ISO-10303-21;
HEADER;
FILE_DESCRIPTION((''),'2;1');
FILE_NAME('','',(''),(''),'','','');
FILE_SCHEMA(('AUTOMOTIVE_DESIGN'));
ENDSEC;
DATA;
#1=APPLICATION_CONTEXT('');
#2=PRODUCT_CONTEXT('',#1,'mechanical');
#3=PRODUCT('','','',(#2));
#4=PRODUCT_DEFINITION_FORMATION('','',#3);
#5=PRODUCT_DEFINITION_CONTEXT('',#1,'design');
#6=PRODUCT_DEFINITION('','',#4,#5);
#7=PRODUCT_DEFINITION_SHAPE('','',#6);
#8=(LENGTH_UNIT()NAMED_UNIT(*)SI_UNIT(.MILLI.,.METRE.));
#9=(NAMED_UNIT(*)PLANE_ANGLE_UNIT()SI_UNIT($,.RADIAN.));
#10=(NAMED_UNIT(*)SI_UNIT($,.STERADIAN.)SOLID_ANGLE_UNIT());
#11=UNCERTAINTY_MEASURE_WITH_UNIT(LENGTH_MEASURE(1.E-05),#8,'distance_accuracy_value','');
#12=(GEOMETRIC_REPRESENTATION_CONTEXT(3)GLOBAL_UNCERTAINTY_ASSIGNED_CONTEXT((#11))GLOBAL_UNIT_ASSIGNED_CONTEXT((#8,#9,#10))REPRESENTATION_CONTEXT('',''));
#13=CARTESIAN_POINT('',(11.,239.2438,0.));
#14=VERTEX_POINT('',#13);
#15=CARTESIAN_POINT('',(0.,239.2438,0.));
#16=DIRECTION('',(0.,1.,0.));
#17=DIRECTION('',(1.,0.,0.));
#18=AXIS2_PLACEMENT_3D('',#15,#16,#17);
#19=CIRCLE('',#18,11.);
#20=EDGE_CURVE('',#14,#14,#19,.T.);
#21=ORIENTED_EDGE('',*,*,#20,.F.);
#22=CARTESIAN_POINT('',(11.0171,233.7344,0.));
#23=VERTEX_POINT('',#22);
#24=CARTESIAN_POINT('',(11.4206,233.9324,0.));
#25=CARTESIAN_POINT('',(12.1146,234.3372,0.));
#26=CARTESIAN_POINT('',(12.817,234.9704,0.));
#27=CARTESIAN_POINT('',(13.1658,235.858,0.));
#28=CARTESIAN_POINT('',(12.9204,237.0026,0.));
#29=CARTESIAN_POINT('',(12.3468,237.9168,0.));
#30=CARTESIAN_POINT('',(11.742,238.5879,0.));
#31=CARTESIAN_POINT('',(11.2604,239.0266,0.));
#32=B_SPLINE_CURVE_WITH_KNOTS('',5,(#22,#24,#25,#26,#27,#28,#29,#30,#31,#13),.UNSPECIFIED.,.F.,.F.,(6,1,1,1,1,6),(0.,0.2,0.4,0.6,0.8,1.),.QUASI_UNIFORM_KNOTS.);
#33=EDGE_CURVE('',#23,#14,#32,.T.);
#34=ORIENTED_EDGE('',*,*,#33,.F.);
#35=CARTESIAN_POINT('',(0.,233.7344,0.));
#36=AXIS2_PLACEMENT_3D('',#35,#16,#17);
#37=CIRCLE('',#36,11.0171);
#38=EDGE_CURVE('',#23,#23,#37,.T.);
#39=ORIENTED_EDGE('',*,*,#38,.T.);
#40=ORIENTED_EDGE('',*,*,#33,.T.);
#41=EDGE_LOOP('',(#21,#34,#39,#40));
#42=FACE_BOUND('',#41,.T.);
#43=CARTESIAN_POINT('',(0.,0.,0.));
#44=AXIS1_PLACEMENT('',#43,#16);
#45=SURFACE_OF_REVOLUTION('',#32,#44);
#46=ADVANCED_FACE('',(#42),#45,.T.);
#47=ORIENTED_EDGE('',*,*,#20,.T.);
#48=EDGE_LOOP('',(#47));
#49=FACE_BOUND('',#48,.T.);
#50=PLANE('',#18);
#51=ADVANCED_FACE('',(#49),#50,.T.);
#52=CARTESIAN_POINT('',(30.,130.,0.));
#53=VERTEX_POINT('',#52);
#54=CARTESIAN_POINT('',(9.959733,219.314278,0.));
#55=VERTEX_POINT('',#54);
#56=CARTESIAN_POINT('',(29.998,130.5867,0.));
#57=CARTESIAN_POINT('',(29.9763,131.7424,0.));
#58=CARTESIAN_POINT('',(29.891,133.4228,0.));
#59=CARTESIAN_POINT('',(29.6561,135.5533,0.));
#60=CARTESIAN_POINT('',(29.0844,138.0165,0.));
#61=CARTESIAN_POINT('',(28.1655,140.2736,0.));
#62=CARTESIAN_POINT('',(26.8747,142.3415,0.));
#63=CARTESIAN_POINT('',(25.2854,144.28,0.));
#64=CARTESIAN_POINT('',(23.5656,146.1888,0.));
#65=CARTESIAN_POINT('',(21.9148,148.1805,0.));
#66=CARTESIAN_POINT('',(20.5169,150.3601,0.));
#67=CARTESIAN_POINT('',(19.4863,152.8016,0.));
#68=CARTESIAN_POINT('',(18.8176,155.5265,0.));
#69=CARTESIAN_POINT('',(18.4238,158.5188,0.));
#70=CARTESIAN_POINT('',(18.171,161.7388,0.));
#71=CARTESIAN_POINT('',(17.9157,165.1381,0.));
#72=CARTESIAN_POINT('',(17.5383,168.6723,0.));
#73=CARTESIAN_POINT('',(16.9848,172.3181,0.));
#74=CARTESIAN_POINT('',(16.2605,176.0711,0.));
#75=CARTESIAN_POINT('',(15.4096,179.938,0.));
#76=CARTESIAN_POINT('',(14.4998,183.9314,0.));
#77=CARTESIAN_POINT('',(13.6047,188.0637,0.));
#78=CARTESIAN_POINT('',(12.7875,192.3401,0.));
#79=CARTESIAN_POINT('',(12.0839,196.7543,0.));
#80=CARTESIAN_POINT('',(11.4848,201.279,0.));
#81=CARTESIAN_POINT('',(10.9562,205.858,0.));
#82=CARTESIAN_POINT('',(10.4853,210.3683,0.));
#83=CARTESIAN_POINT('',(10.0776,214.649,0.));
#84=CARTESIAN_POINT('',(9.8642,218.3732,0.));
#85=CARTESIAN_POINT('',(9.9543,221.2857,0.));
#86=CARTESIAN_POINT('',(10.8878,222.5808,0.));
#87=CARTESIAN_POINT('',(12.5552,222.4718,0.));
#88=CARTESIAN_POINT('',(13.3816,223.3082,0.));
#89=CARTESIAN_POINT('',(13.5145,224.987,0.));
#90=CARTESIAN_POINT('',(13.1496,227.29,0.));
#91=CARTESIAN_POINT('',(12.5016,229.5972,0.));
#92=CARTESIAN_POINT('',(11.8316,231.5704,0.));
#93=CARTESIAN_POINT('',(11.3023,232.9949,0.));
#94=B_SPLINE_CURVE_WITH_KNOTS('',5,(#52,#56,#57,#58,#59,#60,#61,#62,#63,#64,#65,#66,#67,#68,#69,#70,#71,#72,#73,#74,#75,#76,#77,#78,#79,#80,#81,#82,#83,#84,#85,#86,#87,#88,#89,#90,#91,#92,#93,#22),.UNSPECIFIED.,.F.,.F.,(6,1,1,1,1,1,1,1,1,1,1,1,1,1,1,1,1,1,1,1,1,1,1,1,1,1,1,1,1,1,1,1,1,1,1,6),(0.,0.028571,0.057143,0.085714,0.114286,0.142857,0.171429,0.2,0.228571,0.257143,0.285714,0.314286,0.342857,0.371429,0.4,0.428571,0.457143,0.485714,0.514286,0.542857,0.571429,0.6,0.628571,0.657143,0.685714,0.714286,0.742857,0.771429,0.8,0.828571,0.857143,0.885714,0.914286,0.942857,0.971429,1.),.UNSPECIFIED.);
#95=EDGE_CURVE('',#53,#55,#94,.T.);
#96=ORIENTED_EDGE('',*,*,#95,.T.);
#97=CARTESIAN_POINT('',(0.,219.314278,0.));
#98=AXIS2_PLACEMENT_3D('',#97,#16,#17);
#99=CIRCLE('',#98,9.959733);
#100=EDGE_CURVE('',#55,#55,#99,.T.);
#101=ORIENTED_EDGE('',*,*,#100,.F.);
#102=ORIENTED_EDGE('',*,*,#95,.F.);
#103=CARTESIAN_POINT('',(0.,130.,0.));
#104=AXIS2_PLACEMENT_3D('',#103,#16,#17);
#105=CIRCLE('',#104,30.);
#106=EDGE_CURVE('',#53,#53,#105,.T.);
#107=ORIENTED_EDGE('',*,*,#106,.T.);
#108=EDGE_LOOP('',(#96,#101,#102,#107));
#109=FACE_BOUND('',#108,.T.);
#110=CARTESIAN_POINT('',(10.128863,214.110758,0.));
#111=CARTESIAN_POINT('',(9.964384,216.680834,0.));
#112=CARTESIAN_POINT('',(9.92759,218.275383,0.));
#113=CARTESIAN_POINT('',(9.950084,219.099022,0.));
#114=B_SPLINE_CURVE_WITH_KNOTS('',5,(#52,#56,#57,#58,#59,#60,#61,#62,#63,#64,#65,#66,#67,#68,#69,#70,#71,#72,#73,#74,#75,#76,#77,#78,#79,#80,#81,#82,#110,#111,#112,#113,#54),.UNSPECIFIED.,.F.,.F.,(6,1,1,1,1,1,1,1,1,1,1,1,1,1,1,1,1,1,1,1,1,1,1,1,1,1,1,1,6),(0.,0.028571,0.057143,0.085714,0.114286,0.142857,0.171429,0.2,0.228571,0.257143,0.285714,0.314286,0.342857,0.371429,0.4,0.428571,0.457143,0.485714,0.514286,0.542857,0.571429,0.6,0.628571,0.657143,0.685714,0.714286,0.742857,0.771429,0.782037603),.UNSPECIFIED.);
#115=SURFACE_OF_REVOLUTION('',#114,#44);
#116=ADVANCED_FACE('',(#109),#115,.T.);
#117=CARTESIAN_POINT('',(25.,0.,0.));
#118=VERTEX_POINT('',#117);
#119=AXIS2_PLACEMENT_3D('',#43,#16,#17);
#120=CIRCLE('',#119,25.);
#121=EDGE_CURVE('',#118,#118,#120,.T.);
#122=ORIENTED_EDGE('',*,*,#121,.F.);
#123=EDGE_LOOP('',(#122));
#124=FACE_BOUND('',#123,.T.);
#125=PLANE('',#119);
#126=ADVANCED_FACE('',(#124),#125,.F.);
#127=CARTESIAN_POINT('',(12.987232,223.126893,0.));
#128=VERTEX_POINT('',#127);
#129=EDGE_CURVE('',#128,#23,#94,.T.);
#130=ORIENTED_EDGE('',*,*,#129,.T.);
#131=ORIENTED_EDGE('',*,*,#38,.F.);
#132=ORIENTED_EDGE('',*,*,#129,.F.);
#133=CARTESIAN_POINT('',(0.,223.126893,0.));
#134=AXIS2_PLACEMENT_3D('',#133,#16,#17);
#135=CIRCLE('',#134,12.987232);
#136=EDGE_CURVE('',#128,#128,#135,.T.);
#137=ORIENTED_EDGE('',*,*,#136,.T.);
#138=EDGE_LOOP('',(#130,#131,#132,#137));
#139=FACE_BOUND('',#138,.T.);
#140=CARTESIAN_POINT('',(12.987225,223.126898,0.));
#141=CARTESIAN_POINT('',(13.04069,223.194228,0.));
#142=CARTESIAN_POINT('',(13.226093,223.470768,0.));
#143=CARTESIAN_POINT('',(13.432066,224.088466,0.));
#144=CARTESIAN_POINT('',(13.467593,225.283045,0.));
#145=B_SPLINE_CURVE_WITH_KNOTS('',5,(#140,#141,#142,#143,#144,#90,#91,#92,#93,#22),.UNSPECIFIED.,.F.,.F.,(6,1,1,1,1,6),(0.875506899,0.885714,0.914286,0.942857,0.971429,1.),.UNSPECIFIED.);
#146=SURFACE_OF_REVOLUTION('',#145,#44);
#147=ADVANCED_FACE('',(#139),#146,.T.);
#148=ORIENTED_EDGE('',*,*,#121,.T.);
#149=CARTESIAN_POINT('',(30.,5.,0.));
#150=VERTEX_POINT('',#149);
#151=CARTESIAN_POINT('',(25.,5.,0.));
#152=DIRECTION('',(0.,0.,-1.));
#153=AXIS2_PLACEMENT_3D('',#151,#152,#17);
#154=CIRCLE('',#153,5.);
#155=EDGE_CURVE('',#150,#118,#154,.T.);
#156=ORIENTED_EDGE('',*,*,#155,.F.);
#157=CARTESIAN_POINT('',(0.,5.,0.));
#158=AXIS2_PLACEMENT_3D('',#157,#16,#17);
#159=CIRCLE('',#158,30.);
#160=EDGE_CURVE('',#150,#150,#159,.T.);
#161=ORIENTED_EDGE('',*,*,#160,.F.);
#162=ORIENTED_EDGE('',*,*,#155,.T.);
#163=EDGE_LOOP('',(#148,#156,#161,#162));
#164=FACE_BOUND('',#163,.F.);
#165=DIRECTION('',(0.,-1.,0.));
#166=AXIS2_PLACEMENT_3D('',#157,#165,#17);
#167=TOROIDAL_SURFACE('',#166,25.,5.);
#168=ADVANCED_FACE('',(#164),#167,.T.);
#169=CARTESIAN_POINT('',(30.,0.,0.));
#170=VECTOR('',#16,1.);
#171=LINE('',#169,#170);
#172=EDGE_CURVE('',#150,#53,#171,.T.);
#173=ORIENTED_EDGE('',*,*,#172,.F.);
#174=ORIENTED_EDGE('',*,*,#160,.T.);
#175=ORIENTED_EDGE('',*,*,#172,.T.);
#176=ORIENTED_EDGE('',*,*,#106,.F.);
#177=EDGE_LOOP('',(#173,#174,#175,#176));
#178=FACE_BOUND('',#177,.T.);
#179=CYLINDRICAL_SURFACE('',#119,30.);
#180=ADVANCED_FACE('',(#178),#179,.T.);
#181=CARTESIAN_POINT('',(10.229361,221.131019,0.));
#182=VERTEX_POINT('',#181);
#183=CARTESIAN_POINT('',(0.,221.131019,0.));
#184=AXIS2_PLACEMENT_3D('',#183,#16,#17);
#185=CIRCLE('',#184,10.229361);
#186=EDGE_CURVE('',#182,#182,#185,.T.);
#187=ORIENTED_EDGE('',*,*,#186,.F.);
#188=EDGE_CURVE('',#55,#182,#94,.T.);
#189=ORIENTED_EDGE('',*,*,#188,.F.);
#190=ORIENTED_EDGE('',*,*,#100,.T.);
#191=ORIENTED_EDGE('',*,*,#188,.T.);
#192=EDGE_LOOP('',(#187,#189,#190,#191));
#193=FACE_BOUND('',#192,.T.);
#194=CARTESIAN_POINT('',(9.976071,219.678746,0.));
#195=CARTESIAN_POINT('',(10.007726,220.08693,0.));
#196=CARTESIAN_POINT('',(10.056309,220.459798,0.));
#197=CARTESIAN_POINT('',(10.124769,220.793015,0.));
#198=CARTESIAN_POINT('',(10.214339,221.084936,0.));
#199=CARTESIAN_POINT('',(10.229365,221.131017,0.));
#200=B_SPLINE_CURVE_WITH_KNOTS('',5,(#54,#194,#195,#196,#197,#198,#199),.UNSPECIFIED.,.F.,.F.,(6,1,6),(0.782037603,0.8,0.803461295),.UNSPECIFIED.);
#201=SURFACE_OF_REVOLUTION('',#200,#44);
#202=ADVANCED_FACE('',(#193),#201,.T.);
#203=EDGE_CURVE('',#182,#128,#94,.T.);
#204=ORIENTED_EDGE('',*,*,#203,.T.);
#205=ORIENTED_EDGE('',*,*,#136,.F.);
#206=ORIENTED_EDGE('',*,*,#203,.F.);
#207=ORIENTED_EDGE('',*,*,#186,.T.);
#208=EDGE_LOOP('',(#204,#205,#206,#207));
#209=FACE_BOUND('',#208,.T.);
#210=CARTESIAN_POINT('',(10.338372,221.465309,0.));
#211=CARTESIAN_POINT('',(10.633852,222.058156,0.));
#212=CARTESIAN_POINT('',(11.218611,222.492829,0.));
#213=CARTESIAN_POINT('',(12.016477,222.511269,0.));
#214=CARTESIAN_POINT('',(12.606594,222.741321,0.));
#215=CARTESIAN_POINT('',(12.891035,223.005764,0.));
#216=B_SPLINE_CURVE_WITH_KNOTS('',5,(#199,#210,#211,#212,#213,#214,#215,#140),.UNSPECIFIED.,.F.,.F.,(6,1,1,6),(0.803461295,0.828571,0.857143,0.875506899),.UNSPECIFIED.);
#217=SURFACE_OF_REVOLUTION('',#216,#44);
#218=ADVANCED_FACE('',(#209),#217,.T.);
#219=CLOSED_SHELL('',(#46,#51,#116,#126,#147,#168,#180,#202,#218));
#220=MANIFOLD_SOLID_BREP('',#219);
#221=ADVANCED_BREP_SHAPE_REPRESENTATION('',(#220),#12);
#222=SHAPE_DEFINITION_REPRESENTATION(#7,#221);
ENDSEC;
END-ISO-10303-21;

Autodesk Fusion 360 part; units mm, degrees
sketch "Sketch1" plane through (0, 0, 0) normal (0, 0, 1) x (1, 0, 0) in component "Bottle"
  line L0 (0, 0) -> (0, 240)
  line L1 (0, 0) -> (30, 0)
  line L2 (30, 0) -> (30, 130)
  spline S0 degree 5 poles (30, 130) (29.998, 130.5867) (29.9763, 131.7424) (29.891, 133.4228) (29.6561, 135.5533) (29.0844, 138.0165) (28.1655, 140.2736) (26.8747, 142.3415) (25.2854, 144.28) (23.5656, 146.1888) (21.9148, 148.1805) (20.5169, 150.3601) (19.4863, 152.8016) (18.8176, 155.5265) (18.4238, 158.5188) (18.171, 161.7388) (17.9157, 165.1381) (17.5383, 168.6723) (16.9848, 172.3181) (16.2605, 176.0711) (15.4096, 179.938) (14.4998, 183.9314) (13.6047, 188.0637) (12.7875, 192.3401) (12.0839, 196.7543) (11.4848, 201.279) (10.9562, 205.858) (10.4853, 210.3683) (10.0776, 214.649) (9.8642, 218.3732) (9.9543, 221.2857) (10.8878, 222.5808) (12.5552, 222.4718) (13.3816, 223.3082) (13.5145, 224.987) (13.1496, 227.29) (12.5016, 229.5972) (11.8316, 231.5704) (11.3023, 232.9949) (11.0171, 233.7344) knots 0 0 0 0 0 0 0.028571 0.057143 0.085714 0.114286 0.142857 0.171429 0.2 0.228571 0.257143 0.285714 0.314286 0.342857 0.371429 0.4 0.428571 0.457143 0.485714 0.514286 0.542857 0.571429 0.6 0.628571 0.657143 0.685714 0.714286 0.742857 0.771429 0.8 0.828571 0.857143 0.885714 0.914286 0.942857 0.971429 1 1 1 1 1 1
  line L3 (30.0435, 117.5044) -> (29.9565, 142.4956)
  line L4 (8.2601, 215.0919) -> (12.1986, 227.1701)
  line L5 (9.449, 218.6711) -> (16.5255, 227.5827)
  spline S1 degree 5 poles (11.0171, 233.7344) (11.4206, 233.9324) (12.1146, 234.3372) (12.817, 234.9704) (13.1658, 235.858) (12.9204, 237.0026) (12.3468, 237.9168) (11.742, 238.5879) (11.2604, 239.0266) (11, 239.2438) knots 0 0 0 0 0 0 0.2 0.4 0.6 0.8 1 1 1 1 1 1
  line L6 (11.4748, 238.8477) -> (10.5252, 239.6399)
  line L7 (10.3402, 233.4022) -> (11.6939, 234.0666)
  line L8 (11, 239.2438) -> (0, 239.2438)
  point P0 (27.4621, 141.314)
  point P1 (20.6353, 150.3726)
  point P2 (17.8039, 166.0148)
  point P3 (12.7238, 192.9048)
  point P4 (10.2294, 221.131)
  point P5 (12.9872, 223.1269)
  dimension "d1" = 240
  dimension "d2" = 30
  dimension "d3" = 130
  dimension "d7" = 11
revolve "Revolve1" add sketch "Sketch1" angle 360 about axis through (0, 0, 0) along (0, 1, 0) contours L0 L1 L2 S0 S1 L8 in component "Bottle"
fillet "Fillet1" radius 5 1 edges at (-27.9698, 0, -10.8485) in component "Bottle"
shell "Shell1" thickness 2.5 removed faces 1 at (2.9076, 239.2438, 1.5312) in component "Bottle"
component "Bottle" placed x (1, 0, 0) y (0, 1, 0) z (0, 0, 1) at (0, 0, 0)
